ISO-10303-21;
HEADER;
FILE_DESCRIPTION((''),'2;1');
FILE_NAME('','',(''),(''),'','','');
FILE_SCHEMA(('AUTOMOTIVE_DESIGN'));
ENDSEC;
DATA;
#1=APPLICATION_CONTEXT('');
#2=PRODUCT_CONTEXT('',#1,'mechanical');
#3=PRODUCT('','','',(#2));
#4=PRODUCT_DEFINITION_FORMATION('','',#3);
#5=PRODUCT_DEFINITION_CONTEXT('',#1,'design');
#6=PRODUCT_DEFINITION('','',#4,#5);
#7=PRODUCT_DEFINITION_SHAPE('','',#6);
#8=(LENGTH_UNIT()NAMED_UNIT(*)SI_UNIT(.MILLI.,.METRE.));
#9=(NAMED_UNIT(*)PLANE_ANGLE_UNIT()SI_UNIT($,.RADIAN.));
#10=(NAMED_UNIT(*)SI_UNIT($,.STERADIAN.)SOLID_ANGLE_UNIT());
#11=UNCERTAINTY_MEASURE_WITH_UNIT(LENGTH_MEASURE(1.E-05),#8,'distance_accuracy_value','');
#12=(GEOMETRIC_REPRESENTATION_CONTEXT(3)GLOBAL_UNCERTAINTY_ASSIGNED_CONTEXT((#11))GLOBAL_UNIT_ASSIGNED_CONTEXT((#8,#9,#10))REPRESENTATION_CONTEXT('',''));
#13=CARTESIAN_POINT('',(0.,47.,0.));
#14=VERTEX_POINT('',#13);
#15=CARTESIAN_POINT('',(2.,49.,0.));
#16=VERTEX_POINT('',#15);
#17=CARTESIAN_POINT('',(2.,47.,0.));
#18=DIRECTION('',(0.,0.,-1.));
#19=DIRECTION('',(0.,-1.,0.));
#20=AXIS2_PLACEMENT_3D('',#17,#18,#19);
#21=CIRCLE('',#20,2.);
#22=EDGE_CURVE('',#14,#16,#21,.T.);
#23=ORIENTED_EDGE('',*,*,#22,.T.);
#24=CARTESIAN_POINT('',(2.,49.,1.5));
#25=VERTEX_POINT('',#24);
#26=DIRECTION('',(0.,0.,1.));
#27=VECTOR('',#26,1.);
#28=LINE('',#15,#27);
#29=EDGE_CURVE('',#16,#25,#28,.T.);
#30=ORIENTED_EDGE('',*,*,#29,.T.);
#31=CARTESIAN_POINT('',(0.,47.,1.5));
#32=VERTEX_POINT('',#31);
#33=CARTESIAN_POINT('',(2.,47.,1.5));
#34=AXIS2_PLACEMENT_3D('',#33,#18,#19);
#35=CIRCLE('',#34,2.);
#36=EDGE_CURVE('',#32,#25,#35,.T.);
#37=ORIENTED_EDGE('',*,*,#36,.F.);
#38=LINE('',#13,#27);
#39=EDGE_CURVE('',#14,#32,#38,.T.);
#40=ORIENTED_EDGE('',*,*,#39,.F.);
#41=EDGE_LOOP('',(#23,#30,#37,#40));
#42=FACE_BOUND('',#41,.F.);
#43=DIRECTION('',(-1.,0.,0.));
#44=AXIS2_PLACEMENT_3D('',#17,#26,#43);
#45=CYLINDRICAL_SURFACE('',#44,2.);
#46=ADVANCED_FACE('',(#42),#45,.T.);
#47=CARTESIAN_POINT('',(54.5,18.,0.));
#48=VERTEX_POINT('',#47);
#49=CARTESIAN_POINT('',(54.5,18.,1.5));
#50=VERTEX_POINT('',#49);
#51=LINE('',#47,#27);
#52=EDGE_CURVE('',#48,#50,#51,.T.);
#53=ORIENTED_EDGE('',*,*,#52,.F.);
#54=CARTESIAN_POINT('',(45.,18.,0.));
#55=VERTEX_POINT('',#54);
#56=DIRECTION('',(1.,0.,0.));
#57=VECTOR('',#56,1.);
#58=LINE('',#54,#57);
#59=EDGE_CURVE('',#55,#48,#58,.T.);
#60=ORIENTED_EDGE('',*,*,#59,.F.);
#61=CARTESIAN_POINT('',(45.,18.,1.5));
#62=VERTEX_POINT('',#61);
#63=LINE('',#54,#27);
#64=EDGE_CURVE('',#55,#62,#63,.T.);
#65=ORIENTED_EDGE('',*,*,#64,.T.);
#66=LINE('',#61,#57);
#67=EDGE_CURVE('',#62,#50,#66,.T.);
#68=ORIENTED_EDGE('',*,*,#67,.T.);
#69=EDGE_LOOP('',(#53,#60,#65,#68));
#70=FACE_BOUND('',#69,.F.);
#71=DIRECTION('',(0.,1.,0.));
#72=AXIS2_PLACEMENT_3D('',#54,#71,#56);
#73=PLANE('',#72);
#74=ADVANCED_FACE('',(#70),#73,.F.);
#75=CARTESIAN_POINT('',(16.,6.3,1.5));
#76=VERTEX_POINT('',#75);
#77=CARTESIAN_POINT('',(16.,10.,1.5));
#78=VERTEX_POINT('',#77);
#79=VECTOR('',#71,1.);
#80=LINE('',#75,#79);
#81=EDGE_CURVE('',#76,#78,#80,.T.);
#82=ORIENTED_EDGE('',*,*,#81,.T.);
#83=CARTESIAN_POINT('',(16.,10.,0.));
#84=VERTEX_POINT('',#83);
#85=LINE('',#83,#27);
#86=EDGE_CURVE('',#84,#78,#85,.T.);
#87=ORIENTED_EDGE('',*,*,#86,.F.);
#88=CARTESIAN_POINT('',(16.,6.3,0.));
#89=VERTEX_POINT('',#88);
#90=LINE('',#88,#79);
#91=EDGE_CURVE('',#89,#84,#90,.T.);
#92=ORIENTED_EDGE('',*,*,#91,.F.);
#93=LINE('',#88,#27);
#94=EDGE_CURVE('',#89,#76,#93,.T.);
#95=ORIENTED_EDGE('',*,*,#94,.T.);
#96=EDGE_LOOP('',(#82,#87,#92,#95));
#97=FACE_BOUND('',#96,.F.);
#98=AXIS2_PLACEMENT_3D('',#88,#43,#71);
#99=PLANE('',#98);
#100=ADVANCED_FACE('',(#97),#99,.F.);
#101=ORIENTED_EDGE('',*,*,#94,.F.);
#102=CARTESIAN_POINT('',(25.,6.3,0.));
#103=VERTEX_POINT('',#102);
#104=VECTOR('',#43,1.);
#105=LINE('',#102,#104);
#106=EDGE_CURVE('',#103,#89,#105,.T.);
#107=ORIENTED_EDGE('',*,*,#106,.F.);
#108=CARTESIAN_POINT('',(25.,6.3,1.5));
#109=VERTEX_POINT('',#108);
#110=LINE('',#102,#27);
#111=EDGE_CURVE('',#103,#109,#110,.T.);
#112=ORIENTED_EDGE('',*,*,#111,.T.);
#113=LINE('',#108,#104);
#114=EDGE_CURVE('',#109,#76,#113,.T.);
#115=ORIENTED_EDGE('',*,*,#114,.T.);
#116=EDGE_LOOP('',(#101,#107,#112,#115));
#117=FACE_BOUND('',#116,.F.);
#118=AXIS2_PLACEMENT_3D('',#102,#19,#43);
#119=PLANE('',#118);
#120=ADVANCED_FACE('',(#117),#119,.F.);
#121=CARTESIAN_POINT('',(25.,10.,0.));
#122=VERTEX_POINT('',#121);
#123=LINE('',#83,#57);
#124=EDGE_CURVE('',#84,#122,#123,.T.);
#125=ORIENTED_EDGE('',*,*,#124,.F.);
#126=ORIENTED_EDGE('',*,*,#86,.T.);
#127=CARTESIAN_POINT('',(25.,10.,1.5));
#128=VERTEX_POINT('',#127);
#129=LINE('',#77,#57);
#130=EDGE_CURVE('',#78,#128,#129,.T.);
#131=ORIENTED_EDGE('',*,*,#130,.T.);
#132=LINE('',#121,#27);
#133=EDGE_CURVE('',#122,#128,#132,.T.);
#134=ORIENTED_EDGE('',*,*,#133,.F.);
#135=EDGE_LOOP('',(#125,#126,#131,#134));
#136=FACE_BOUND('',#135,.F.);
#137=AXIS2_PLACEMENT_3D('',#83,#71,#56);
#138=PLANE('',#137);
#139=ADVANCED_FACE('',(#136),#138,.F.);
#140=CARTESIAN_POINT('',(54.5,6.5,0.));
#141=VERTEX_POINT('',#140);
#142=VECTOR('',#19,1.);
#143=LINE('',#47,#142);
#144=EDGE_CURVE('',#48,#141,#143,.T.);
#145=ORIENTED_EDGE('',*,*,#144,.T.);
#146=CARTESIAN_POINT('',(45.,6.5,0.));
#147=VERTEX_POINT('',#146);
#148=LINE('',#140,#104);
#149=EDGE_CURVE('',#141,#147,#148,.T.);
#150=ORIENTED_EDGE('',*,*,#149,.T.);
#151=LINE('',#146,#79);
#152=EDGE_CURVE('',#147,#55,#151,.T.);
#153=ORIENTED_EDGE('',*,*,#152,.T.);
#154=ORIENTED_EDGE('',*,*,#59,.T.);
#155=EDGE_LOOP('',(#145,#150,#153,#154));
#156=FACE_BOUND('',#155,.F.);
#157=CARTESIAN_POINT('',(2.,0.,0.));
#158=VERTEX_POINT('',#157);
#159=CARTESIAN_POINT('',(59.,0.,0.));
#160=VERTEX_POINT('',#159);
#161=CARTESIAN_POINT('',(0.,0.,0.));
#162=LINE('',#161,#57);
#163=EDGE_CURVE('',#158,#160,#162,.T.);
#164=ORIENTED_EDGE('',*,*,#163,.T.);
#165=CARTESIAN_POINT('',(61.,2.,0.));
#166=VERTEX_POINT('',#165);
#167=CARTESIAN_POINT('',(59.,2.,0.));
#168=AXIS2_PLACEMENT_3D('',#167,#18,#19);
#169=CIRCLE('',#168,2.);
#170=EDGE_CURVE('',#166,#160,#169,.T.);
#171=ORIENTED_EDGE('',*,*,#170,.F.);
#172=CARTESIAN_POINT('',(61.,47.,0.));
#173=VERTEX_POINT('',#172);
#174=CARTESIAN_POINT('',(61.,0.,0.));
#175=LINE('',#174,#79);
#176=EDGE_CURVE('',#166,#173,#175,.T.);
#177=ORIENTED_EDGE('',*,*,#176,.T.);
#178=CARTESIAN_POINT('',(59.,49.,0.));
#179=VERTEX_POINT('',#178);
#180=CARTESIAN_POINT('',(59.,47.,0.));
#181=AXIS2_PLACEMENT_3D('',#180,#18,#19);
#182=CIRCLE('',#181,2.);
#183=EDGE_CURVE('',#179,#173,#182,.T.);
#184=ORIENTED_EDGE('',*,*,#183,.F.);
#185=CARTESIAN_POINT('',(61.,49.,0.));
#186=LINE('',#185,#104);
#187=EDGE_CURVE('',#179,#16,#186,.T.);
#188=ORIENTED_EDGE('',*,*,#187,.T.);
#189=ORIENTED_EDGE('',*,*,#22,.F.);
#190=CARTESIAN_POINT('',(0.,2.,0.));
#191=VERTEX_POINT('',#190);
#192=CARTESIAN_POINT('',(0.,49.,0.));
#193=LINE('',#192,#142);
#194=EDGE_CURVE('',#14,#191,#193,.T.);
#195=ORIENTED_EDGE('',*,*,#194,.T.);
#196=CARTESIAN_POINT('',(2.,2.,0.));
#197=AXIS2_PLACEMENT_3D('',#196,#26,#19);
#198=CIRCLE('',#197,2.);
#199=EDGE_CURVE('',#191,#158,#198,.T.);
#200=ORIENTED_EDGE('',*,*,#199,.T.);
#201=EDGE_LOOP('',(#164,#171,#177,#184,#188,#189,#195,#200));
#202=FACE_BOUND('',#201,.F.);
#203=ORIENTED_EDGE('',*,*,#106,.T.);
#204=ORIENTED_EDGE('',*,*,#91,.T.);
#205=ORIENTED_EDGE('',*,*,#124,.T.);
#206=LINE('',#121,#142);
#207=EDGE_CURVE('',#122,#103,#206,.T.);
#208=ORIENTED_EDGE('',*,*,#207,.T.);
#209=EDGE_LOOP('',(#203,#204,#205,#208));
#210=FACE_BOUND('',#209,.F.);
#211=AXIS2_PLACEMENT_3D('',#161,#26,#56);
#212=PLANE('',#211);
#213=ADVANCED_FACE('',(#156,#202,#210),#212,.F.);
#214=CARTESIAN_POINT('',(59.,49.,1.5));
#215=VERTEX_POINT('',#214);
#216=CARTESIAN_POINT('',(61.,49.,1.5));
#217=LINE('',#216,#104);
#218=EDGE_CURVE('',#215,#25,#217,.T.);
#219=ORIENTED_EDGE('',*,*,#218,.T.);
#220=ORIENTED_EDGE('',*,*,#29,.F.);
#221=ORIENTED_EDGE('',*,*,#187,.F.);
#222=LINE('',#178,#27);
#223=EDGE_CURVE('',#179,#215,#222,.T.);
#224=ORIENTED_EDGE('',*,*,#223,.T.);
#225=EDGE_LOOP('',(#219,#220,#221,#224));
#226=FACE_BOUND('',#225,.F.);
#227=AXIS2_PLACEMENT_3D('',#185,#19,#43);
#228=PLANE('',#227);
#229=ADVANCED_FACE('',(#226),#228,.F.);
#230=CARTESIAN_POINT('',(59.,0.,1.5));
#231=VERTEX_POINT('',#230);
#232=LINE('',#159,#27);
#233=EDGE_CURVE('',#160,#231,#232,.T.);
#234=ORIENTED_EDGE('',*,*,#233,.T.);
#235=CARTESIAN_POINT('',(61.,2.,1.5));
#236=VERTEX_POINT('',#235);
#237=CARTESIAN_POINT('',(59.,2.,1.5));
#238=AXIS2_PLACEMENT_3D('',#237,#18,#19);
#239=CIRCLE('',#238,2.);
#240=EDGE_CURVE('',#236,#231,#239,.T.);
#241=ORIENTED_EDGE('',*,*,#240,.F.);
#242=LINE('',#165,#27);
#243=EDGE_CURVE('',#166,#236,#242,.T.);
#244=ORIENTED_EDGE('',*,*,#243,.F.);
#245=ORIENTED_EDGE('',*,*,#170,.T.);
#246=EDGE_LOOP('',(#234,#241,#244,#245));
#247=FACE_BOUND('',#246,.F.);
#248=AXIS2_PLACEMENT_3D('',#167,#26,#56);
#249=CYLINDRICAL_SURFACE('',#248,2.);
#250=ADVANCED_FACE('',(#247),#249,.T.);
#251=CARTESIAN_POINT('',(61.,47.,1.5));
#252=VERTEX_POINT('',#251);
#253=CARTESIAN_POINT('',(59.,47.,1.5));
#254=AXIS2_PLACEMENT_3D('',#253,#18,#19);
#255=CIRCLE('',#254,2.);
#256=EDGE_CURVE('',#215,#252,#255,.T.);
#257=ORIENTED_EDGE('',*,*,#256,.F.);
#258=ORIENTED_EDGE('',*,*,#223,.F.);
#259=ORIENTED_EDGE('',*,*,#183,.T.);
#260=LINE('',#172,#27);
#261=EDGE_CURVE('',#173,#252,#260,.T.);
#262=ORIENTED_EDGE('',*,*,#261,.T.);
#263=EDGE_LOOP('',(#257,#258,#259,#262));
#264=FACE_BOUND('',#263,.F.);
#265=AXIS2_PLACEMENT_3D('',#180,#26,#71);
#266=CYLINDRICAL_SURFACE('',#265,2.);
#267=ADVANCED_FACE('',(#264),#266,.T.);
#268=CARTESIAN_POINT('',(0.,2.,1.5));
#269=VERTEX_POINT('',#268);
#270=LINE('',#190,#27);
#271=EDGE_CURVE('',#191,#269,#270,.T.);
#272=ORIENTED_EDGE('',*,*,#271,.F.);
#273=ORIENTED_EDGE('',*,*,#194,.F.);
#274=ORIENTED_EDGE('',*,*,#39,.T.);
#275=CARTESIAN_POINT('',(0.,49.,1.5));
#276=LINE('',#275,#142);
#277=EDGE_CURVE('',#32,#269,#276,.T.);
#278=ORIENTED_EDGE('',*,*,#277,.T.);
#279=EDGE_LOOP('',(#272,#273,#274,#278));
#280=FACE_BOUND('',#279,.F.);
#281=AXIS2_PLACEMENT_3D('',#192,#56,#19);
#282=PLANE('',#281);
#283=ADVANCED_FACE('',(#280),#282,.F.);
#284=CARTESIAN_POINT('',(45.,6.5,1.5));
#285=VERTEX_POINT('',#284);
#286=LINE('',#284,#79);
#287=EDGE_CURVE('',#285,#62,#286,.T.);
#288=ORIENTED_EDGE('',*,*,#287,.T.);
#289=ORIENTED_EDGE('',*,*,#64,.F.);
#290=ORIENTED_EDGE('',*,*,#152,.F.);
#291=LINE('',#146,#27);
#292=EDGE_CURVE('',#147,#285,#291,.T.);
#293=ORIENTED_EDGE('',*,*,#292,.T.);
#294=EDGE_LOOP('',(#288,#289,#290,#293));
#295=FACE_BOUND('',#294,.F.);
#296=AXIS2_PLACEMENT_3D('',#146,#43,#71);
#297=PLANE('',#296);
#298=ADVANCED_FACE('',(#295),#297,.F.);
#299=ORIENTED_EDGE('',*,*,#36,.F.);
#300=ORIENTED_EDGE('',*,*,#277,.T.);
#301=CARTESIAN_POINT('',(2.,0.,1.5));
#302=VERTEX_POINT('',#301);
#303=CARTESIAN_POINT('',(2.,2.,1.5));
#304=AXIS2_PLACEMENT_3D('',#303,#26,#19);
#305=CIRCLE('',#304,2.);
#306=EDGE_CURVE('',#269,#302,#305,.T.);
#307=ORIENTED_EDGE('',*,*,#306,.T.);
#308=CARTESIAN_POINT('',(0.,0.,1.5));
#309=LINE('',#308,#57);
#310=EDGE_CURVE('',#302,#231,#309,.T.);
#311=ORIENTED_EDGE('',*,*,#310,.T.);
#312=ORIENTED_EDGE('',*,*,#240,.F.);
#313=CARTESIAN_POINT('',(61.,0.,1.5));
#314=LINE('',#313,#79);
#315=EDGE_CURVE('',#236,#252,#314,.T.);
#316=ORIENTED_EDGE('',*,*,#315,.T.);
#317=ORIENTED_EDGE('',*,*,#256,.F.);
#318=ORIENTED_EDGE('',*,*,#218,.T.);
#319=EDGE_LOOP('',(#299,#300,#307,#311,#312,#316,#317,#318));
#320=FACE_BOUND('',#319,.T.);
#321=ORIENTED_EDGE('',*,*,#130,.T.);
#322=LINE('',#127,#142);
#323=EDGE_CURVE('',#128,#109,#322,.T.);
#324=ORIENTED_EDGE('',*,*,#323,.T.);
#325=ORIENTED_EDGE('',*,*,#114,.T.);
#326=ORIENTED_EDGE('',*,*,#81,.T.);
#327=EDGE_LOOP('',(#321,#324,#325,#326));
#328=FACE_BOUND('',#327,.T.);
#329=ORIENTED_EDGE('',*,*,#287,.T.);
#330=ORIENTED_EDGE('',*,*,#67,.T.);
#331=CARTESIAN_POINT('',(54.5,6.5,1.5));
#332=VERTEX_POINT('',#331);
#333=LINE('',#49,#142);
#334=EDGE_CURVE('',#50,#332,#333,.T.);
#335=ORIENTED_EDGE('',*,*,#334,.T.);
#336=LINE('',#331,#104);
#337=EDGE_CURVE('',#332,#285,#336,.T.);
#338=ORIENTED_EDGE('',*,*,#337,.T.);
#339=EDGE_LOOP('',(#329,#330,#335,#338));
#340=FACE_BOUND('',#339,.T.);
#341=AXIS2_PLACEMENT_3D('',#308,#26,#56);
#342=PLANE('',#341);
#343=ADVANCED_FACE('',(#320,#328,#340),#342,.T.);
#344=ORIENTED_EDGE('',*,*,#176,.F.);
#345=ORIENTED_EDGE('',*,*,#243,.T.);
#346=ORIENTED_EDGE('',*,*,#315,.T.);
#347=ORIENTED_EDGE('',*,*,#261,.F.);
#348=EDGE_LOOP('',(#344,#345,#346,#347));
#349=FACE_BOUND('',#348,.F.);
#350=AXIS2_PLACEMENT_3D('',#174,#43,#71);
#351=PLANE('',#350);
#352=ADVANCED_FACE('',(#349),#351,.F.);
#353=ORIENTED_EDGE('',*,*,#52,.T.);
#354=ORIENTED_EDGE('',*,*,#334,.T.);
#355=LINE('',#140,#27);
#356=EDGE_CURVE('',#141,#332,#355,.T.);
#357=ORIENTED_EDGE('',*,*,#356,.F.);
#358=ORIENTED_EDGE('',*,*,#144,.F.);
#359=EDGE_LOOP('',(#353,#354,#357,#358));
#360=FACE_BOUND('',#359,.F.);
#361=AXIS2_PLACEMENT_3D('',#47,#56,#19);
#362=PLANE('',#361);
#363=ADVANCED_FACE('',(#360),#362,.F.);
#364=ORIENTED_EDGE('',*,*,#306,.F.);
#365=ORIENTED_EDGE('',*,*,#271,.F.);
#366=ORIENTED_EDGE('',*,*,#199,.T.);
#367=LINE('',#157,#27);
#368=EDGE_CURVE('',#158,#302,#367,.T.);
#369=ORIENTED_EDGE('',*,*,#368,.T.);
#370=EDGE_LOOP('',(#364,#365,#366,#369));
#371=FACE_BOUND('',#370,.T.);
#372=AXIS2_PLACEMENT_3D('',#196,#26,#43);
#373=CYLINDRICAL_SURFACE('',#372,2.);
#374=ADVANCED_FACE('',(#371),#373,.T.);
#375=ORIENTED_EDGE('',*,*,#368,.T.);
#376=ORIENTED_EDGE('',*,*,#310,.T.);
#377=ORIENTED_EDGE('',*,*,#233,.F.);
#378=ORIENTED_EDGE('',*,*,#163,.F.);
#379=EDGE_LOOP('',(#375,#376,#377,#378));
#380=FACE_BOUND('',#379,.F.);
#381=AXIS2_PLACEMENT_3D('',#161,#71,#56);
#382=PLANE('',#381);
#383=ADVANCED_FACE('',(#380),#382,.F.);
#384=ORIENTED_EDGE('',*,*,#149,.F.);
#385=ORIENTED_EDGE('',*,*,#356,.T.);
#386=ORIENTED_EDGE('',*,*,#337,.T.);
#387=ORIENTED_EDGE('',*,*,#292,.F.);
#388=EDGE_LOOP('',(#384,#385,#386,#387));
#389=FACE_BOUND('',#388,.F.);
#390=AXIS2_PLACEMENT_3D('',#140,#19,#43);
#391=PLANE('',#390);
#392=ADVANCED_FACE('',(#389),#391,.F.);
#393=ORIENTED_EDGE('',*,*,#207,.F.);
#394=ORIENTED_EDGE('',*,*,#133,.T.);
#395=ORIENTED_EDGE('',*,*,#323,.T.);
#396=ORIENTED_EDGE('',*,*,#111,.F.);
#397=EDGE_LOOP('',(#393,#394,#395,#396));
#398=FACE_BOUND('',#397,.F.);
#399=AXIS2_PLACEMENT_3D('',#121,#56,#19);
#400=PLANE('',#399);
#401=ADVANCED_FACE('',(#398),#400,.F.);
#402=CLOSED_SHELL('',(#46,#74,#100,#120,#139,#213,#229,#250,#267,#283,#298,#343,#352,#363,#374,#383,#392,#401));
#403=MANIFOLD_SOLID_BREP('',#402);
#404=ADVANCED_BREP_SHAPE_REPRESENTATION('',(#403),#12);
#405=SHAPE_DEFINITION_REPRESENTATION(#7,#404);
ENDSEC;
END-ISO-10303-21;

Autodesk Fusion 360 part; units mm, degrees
sketch "Sketch1" plane through (0, 0, 0) normal (0, 0, 1) x (1, 0, 0)
  line L0 (0, 0) -> (61, 0)
  line L1 (61, 0) -> (61, 49)
  line L2 (61, 49) -> (0, 49)
  line L3 (0, 49) -> (0, 0)
  line L4 (16, 10) -> (25, 10)
  line L5 (25, 10) -> (25, 6.3)
  line L6 (25, 6.3) -> (16, 6.3)
  line L7 (16, 6.3) -> (16, 10)
  line L8 (45, 18) -> (54.5, 18)
  line L9 (54.5, 18) -> (54.5, 6.5)
  line L10 (54.5, 6.5) -> (45, 6.5)
  line L11 (45, 6.5) -> (45, 18)
  dimension "d1" = 61
  dimension "d2" = 49
  dimension "d3" = 9
  dimension "d4" = 3.7
  dimension "d5" = 10
  dimension "d6" = 16
  dimension "d7" = 9.5
  dimension "d8" = 11.5
  dimension "d9" = 45
  dimension "d10" = 18
extrude "Extrude1" add sketch "Sketch1" along normal blind 1.5
fillet "Fillet1" radius 2 4 edges at (0, 0, 0.75) (61, 0, 0.75) (61, 49, 0.75) (0, 49, 0.75)
